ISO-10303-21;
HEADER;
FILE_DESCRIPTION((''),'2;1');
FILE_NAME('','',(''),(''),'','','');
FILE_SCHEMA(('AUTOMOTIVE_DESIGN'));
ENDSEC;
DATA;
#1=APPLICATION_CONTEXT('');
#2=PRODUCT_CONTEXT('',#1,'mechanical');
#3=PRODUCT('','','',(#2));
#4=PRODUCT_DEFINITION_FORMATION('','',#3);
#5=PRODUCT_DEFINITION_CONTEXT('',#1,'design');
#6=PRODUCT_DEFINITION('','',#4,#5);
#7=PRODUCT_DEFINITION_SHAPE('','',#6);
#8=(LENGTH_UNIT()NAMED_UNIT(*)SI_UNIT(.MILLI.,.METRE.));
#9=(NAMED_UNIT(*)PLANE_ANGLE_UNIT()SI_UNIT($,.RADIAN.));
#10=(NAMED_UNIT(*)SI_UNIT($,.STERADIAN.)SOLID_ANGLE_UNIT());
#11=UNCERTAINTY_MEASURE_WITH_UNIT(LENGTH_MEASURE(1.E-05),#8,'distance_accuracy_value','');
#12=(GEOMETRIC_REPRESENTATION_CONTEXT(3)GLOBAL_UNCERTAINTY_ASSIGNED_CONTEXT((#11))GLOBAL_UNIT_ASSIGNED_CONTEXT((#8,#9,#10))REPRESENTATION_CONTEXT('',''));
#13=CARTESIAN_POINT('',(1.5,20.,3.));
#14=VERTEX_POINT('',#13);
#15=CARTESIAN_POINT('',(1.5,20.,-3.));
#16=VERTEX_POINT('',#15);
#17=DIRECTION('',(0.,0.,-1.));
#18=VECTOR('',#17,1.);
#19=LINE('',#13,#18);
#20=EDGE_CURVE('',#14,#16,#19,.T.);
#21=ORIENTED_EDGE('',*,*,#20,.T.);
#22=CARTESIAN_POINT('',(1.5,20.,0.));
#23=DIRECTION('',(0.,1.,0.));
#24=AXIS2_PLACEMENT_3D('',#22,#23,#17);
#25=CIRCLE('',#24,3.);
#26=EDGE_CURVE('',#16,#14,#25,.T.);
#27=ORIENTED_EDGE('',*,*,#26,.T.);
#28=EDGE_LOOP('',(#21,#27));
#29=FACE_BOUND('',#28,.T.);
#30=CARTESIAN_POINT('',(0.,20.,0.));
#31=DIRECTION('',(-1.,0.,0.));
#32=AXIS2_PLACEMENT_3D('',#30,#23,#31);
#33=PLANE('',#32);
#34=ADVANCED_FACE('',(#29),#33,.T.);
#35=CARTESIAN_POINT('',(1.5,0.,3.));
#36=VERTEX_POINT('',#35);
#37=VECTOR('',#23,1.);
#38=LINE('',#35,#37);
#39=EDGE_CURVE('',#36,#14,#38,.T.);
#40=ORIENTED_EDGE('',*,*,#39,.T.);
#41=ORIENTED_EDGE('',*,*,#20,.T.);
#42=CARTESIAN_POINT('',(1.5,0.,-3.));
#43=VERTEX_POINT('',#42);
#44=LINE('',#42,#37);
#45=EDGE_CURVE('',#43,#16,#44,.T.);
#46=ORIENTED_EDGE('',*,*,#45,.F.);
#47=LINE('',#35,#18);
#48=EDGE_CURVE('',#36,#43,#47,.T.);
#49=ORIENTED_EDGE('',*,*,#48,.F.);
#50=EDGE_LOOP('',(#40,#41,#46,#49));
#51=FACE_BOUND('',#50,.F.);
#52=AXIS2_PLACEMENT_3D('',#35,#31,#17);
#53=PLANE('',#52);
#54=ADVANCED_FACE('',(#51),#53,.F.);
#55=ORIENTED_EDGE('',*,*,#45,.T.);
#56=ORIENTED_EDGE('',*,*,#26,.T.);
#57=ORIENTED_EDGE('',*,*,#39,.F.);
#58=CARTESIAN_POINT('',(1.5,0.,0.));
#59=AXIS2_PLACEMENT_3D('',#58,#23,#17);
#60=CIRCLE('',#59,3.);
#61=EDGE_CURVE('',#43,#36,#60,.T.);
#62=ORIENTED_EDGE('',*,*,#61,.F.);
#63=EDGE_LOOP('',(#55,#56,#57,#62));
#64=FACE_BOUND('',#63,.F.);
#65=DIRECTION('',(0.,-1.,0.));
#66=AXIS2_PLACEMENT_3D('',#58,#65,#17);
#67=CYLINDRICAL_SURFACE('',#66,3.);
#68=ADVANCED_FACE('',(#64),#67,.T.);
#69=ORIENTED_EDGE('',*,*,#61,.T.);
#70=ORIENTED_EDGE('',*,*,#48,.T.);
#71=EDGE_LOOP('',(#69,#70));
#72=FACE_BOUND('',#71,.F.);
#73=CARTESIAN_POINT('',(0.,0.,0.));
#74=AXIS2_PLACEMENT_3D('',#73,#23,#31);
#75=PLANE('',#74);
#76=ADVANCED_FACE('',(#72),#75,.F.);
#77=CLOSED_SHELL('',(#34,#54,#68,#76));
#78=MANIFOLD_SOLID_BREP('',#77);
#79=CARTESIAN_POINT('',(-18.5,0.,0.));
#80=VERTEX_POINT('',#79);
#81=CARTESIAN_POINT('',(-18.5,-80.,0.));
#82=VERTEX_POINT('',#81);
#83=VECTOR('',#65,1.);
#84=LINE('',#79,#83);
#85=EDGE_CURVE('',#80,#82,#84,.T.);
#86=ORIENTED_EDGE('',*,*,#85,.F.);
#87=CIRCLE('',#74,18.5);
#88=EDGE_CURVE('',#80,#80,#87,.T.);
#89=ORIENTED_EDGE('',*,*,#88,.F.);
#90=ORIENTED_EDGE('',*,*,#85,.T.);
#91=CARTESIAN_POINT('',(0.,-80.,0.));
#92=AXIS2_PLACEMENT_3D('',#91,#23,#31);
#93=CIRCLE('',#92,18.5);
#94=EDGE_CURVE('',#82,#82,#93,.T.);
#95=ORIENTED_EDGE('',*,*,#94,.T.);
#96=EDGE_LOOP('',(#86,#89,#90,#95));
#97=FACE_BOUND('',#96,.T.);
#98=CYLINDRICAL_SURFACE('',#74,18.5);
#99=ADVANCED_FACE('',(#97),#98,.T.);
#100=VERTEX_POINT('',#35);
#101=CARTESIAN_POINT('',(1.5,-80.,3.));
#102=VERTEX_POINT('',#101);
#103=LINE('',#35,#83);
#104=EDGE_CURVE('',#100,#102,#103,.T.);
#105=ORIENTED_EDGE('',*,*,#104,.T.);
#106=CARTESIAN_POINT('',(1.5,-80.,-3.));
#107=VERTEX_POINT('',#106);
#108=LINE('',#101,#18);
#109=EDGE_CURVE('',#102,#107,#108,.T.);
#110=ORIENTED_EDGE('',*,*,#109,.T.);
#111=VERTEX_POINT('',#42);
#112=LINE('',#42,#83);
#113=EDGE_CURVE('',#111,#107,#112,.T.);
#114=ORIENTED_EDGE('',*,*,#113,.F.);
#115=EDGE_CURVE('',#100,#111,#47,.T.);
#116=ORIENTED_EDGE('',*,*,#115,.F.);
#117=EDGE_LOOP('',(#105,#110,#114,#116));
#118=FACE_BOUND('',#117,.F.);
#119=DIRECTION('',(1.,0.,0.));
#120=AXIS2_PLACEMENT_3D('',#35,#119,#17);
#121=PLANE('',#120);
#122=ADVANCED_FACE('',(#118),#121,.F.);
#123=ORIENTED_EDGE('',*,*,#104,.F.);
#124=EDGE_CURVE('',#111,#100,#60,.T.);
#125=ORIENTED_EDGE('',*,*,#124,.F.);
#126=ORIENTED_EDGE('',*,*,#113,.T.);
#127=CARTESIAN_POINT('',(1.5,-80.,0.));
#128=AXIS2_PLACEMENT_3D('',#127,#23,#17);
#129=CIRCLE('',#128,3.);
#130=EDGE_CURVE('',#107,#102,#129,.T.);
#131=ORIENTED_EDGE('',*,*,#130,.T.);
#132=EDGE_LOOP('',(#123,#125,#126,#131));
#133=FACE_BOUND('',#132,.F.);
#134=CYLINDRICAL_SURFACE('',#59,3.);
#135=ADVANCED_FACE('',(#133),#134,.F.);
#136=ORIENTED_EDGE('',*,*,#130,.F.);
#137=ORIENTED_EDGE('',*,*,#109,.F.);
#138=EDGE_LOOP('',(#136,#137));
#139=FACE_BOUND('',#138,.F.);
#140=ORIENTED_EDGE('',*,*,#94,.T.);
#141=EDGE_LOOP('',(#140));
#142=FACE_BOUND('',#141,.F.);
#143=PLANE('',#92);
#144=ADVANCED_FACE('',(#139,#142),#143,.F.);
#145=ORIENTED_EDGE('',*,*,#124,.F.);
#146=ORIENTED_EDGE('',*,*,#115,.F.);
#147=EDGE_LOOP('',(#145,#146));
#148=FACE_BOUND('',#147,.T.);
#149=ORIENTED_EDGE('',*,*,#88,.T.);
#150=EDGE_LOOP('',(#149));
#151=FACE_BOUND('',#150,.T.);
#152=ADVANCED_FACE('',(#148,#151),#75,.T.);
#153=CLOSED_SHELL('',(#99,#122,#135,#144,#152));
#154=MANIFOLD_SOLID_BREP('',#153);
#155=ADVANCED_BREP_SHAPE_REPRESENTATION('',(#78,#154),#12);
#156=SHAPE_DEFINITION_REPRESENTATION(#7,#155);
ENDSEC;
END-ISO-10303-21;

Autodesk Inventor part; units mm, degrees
ref_plane "YZ Plane" through (0, 0, 0) normal (1, 0, 0) x (0, 1, 0)
ref_plane "XZ Plane" through (0, 0, 0) normal (0, 1, 0) x (-1, 0, 0)
ref_plane "XY Plane" through (0, 0, 0) normal (0, 0, 1) x (1, 0, 0)
sketch "Sketch1" plane through (0, 0, 0) normal (0, 1, 0) x (-1, 0, 0)
  circle A0 centre (0, 0) radius 18.5
  arc A1 (-1.5, -3) -> (-1.5, 3) centre (-1.5, 0) ccw
  line L0 (-1.5, 0) -> (-1.5, -3) construction
  line L1 (-1.5, 0) -> (1.5, 0) construction
  line L2 (-1.5, 0) -> (-1.5, 3) construction
  line L3 (-1.5, 3) -> (-1.5, -3)
  dimension "d4" = 3
  dimension "d6" = 37
extrude "Extrusion1" add sketch "Sketch1" along normal blind 20 contours L3 A1
extrude "Extrusion2" add sketch "Sketch1" against normal blind 80
properties part number "motor"
